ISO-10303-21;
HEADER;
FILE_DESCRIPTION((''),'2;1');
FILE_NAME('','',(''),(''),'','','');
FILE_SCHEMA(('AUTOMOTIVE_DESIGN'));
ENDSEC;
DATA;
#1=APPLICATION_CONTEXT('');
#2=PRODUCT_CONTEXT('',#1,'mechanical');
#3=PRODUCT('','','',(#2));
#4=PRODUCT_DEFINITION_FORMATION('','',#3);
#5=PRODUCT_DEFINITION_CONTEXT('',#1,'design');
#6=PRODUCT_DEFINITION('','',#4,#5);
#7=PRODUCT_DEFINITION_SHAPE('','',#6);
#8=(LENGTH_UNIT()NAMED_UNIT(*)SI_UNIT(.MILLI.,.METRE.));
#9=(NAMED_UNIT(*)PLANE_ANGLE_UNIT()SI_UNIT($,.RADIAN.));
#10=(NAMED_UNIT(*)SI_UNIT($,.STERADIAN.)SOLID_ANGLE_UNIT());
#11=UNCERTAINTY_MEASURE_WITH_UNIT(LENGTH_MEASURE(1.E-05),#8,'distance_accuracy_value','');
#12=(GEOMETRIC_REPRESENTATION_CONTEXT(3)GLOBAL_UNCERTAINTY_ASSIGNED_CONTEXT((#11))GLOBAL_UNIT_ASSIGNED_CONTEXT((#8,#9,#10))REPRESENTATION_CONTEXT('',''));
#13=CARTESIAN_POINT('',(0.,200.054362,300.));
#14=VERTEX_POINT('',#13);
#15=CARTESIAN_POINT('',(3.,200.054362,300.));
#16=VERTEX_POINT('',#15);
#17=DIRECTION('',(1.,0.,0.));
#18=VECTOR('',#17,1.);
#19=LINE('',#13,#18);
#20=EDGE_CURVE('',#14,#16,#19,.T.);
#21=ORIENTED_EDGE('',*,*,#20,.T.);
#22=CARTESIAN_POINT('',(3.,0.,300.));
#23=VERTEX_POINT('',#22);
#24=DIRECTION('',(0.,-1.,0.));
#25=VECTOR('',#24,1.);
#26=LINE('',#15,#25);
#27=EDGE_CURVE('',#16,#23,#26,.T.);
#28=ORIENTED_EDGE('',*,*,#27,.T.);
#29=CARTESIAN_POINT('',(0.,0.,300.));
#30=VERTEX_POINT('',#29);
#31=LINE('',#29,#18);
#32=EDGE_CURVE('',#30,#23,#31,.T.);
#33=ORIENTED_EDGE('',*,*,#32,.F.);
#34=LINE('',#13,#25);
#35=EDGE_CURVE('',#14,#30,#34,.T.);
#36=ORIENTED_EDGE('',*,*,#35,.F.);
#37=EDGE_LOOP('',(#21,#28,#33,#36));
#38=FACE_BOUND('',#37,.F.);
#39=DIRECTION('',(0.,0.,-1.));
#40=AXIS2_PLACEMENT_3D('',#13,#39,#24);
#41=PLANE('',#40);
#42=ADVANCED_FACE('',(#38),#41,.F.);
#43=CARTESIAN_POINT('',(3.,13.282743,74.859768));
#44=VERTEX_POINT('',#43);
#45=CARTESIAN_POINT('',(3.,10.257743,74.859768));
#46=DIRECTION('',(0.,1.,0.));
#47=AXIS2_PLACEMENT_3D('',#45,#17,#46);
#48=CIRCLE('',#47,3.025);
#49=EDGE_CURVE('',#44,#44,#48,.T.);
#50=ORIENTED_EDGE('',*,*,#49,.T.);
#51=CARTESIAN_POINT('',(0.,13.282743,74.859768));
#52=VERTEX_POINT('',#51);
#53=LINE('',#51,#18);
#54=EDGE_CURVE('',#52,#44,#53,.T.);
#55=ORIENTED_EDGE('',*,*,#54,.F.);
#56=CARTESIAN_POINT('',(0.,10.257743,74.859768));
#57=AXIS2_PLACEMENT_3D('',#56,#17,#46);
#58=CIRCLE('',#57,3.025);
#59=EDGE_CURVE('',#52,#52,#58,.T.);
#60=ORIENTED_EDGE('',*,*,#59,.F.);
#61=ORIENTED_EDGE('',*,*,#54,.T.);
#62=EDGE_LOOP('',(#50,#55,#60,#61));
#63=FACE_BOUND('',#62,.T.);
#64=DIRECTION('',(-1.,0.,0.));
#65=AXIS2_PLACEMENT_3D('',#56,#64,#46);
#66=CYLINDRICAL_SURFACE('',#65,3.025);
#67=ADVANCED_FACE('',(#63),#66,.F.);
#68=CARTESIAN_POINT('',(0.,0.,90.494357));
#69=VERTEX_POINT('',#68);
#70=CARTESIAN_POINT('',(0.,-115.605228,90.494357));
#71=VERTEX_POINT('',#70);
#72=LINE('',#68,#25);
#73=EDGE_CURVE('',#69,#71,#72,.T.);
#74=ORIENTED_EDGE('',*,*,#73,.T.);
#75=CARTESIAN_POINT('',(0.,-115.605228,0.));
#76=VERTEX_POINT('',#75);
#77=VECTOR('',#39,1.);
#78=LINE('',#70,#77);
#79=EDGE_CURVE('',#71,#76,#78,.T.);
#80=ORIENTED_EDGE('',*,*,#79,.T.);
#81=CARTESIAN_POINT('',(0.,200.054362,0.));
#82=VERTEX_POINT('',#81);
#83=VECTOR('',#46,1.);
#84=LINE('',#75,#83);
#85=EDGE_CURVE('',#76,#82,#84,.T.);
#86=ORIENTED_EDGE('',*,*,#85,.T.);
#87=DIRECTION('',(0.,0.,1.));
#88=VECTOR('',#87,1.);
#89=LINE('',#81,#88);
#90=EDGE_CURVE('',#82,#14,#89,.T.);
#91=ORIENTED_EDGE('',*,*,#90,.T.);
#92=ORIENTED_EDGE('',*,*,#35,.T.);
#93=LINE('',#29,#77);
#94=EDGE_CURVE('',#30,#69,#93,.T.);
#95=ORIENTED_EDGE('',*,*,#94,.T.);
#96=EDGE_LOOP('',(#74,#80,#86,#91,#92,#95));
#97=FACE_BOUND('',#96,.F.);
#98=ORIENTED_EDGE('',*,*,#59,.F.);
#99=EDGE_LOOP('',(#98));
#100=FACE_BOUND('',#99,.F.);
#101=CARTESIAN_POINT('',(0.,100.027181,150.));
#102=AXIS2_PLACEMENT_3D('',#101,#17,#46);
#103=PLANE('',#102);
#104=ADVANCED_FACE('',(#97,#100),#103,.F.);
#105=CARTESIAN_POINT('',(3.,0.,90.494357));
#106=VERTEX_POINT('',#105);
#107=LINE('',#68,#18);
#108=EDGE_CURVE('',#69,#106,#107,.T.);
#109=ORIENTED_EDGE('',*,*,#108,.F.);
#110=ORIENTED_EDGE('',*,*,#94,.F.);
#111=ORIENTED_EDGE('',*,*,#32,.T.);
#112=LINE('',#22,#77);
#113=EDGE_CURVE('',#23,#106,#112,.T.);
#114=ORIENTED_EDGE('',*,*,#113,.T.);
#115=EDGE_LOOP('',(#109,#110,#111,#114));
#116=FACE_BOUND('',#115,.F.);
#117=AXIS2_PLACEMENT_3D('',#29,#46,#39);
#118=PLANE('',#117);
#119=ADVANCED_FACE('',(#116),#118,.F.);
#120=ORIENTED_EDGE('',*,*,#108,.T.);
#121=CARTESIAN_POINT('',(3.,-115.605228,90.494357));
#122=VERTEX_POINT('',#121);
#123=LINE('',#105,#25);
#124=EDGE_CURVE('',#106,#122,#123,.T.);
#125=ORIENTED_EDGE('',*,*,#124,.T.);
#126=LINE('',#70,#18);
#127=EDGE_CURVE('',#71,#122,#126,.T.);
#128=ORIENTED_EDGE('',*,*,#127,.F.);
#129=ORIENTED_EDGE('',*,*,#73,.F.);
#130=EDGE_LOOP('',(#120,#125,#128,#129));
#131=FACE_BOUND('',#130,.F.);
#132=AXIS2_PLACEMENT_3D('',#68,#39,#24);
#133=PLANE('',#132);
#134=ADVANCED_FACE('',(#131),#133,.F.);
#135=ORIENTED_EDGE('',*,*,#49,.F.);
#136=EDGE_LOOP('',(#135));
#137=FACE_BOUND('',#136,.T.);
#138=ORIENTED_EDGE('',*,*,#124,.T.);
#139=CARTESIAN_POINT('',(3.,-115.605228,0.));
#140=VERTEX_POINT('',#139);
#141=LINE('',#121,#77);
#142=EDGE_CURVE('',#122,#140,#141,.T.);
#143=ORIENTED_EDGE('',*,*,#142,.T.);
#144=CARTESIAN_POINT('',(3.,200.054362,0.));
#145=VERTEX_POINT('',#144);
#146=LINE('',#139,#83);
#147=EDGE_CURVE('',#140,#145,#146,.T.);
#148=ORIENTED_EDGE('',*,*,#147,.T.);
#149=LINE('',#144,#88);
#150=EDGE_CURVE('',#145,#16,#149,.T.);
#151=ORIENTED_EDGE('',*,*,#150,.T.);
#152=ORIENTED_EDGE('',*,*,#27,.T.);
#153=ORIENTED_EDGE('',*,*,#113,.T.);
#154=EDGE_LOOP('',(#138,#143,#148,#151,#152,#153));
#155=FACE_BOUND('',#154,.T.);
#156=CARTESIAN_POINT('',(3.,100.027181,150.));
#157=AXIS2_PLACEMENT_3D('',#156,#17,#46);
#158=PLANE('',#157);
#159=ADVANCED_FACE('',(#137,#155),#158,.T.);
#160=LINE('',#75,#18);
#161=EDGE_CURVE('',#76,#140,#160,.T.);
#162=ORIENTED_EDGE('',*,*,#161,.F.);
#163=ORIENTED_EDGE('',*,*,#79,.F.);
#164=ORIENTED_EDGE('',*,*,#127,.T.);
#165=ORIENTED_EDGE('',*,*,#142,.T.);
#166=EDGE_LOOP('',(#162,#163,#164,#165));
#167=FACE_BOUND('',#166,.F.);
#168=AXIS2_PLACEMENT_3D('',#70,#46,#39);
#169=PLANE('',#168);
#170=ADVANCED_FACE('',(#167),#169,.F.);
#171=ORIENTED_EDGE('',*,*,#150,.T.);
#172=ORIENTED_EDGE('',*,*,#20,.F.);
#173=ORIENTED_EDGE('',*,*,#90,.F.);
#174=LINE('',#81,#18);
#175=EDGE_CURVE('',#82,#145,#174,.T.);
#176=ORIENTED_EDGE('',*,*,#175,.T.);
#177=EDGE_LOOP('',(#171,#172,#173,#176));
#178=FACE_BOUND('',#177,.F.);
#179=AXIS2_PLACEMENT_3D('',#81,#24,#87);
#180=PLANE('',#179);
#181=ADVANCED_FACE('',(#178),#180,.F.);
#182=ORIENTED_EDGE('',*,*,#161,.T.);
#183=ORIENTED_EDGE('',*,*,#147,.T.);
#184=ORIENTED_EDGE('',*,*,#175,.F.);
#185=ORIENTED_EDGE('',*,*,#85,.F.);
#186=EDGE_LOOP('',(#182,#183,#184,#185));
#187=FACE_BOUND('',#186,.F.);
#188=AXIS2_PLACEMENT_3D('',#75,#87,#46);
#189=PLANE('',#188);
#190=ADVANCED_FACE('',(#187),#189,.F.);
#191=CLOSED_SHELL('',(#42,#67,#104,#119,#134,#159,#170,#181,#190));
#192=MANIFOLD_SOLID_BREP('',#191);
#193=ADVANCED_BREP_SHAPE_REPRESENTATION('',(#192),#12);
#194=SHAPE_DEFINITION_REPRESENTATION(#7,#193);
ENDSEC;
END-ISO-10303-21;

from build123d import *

# Parameters (mm, degrees)
F0_R     = 3.025
F1_DEPTH = 3


with BuildPart() as f1:
    # F0 (on Right) → F1 (new body)
    with BuildSketch(Plane.YZ):
        Polygon((0, 74.859768), (0, 0), (200.054362, 0), (200.054362, 300), (0, 300), (0, 90.494357), align=None)
        with Locations((10.257743, 74.859768)):
            Circle(F0_R, mode=Mode.SUBTRACT)
        Polygon((-115.605228, 0), (0, 0), (0, 74.859768), (0, 90.494357), (-115.605228, 90.494357), align=None)
    extrude(amount=F1_DEPTH)


solid = f1.part
